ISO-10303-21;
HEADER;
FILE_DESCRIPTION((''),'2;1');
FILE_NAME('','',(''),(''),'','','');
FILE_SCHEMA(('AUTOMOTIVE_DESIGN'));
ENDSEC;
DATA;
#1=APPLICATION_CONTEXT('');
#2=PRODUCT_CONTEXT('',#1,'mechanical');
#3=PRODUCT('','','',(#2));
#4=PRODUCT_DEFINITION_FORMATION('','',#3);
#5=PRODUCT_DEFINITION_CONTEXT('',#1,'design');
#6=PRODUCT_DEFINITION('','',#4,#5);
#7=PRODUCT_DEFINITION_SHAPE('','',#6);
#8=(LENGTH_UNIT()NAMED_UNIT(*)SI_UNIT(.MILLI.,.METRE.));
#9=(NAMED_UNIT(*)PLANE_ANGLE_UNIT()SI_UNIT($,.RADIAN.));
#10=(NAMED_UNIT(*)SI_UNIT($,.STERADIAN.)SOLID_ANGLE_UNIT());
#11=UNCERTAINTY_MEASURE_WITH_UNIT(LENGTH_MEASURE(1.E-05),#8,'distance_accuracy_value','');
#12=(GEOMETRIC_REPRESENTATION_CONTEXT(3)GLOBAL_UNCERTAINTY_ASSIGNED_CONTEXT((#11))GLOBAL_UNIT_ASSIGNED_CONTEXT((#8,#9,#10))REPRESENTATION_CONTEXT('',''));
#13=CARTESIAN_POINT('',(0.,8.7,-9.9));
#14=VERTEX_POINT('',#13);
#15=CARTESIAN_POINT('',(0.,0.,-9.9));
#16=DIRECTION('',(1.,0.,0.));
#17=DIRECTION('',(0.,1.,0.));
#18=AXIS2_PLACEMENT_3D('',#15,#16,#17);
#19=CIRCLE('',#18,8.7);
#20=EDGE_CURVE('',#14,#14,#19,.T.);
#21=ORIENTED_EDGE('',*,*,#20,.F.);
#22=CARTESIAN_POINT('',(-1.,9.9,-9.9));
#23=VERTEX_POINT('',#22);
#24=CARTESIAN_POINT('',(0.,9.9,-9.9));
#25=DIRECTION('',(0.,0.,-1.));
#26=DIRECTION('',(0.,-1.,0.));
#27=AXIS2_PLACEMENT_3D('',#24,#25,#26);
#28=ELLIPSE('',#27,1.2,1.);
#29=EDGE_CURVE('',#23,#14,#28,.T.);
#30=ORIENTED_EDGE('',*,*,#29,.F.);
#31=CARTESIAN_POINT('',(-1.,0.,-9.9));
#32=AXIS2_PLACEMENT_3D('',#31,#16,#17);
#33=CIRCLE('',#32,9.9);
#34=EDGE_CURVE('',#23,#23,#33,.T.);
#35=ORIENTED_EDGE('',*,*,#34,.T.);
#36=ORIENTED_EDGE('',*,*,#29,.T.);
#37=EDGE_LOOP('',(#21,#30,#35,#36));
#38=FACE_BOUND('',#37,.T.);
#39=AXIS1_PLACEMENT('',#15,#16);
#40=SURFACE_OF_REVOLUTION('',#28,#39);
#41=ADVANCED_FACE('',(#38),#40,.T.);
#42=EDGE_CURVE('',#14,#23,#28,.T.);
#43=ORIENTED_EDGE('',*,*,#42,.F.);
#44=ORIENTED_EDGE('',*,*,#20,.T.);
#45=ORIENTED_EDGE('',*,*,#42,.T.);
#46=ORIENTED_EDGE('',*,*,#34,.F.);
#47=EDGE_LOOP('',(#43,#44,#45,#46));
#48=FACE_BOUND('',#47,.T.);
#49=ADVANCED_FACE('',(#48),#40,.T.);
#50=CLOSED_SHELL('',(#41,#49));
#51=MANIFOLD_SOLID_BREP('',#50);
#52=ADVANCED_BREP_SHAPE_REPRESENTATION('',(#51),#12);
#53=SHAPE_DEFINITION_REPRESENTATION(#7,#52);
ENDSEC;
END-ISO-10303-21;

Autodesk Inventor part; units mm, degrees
ref_plane "YZ Plane" through (0, 0, 0) normal (1, 0, 0) x (0, 1, 0)
ref_plane "XZ Plane" through (0, 0, 0) normal (0, 1, 0) x (-1, 0, 0)
ref_plane "XY Plane" through (0, 0, 0) normal (0, 0, 1) x (1, 0, 0)
sketch "Boceto1" plane through (0, 0, 0) normal (0, 1, 0) x (-1, 0, 0)
  line L0 (0, 0) -> (1, 0)
  line L1 (0, 0) -> (0, -1.2)
  ellipse E0 centre (0, 0) end of major axis (0, -1.2) minor radius 1
  dimension "d0" = 1
  dimension "d1" = 1.2
sketch "Boceto2" plane through (0, 0, 0) normal (1, 0, 0) x (0, 1, 0)
  line L0 (0, 0) -> (0, -9.9)
  circle A0 centre (0, -9.9) radius 9.9
  dimension "d2" = 9.9
sweep "Barrido1" add profiles "Boceto1" path "Boceto2" path curves A0
properties part number "Junta_torica_sonar"
